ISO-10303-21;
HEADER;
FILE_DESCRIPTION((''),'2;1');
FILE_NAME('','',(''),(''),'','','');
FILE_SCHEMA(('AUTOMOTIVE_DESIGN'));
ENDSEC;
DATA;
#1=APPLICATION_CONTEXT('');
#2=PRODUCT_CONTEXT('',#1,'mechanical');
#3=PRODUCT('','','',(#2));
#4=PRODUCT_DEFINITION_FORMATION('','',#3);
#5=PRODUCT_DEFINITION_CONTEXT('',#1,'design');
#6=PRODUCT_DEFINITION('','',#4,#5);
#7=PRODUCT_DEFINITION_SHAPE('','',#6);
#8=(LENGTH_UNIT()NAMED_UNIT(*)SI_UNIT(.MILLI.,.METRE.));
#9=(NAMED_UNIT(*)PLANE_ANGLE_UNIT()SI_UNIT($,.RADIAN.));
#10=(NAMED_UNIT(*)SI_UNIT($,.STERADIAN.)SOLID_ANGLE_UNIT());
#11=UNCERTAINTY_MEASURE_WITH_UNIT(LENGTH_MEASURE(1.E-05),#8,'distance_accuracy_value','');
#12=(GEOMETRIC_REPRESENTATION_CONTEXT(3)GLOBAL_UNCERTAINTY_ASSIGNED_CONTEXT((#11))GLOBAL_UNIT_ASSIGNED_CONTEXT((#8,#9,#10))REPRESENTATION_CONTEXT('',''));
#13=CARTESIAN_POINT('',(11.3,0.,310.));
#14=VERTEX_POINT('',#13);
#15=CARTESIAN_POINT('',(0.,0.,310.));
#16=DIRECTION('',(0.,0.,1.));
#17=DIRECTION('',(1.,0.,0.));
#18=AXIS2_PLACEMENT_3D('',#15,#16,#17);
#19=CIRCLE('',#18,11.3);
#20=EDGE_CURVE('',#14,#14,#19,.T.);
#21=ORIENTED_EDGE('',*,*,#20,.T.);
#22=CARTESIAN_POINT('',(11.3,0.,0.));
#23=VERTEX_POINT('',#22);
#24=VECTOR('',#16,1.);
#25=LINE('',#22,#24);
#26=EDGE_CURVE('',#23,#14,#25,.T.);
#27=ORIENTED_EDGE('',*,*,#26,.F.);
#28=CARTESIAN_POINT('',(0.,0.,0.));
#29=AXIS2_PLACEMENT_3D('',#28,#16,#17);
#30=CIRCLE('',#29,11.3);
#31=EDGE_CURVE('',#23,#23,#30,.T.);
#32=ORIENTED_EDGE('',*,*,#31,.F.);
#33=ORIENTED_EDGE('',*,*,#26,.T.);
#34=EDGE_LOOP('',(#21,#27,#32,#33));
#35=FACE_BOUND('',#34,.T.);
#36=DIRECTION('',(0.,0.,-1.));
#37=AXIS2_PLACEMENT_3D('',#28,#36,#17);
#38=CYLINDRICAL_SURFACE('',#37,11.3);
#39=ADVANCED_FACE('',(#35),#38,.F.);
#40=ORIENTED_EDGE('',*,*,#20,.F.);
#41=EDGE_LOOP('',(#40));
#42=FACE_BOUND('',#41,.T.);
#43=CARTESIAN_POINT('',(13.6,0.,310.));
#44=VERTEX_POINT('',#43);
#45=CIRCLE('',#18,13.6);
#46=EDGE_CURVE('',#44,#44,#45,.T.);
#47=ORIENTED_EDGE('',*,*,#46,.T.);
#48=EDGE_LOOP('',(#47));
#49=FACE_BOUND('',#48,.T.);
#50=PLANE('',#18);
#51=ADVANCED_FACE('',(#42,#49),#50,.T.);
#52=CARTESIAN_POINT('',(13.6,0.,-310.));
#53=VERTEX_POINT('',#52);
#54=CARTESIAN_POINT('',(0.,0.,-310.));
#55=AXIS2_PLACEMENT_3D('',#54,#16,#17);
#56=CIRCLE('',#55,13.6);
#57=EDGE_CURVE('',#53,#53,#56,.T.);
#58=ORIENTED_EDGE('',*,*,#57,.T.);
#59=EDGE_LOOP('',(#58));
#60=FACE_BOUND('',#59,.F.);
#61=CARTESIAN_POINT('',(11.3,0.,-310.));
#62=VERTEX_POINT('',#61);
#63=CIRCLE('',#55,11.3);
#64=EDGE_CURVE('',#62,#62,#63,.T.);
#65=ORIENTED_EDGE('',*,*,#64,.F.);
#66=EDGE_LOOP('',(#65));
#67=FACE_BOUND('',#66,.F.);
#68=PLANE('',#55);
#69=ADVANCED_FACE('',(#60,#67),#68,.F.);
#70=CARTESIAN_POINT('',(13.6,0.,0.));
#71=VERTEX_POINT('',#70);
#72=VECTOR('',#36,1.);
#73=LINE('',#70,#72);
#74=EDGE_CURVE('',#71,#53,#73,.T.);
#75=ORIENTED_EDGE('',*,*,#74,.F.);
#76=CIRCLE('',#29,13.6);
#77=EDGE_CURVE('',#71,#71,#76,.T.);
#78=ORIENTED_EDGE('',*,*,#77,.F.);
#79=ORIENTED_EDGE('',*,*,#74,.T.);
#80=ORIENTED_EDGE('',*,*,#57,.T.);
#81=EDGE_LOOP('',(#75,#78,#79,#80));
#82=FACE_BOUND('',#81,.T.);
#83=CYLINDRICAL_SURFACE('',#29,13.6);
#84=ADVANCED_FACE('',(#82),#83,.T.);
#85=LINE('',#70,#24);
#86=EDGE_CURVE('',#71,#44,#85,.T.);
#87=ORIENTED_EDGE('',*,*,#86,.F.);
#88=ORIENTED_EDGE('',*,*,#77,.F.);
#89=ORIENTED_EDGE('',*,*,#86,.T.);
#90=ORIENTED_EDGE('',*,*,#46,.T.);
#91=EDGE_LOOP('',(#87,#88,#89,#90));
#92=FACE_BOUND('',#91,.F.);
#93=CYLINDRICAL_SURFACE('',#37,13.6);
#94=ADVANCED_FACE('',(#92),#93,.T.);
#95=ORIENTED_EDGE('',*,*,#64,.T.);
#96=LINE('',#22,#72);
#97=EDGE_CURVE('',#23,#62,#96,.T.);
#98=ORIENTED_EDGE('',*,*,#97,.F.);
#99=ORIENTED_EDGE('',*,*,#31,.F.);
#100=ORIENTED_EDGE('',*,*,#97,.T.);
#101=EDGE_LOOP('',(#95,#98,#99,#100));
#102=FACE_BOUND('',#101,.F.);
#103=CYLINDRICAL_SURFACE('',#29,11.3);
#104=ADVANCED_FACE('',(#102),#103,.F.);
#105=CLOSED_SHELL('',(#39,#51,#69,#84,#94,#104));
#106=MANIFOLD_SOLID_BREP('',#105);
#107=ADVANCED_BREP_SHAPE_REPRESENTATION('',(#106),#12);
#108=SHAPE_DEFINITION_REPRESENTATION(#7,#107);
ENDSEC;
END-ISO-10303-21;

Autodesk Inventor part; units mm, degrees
ref_plane "YZ Plane" through (0, 0, 0) normal (1, 0, 0) x (0, 1, 0)
ref_plane "XY Plane" through (0, 0, 0) normal (0, 0, 1) x (1, 0, 0)
sketch "スケッチ1" plane through (0, 0, 0) normal (0, 0, 1) x (1, 0, 0)
  circle A0 centre (0, 0) radius 13.6
  circle A1 centre (0, 0) radius 11.3
  dimension "d0" = 27.2
  dimension "d1" = 2.3
extrude "押し出し1" add sketch "スケッチ1" along normal mid plane 620
ref_plane "作業平面1" through (0, -13.6, 0) normal (0, 1, 0) x (-1, 0, 0)
properties part number "Pipe8"
